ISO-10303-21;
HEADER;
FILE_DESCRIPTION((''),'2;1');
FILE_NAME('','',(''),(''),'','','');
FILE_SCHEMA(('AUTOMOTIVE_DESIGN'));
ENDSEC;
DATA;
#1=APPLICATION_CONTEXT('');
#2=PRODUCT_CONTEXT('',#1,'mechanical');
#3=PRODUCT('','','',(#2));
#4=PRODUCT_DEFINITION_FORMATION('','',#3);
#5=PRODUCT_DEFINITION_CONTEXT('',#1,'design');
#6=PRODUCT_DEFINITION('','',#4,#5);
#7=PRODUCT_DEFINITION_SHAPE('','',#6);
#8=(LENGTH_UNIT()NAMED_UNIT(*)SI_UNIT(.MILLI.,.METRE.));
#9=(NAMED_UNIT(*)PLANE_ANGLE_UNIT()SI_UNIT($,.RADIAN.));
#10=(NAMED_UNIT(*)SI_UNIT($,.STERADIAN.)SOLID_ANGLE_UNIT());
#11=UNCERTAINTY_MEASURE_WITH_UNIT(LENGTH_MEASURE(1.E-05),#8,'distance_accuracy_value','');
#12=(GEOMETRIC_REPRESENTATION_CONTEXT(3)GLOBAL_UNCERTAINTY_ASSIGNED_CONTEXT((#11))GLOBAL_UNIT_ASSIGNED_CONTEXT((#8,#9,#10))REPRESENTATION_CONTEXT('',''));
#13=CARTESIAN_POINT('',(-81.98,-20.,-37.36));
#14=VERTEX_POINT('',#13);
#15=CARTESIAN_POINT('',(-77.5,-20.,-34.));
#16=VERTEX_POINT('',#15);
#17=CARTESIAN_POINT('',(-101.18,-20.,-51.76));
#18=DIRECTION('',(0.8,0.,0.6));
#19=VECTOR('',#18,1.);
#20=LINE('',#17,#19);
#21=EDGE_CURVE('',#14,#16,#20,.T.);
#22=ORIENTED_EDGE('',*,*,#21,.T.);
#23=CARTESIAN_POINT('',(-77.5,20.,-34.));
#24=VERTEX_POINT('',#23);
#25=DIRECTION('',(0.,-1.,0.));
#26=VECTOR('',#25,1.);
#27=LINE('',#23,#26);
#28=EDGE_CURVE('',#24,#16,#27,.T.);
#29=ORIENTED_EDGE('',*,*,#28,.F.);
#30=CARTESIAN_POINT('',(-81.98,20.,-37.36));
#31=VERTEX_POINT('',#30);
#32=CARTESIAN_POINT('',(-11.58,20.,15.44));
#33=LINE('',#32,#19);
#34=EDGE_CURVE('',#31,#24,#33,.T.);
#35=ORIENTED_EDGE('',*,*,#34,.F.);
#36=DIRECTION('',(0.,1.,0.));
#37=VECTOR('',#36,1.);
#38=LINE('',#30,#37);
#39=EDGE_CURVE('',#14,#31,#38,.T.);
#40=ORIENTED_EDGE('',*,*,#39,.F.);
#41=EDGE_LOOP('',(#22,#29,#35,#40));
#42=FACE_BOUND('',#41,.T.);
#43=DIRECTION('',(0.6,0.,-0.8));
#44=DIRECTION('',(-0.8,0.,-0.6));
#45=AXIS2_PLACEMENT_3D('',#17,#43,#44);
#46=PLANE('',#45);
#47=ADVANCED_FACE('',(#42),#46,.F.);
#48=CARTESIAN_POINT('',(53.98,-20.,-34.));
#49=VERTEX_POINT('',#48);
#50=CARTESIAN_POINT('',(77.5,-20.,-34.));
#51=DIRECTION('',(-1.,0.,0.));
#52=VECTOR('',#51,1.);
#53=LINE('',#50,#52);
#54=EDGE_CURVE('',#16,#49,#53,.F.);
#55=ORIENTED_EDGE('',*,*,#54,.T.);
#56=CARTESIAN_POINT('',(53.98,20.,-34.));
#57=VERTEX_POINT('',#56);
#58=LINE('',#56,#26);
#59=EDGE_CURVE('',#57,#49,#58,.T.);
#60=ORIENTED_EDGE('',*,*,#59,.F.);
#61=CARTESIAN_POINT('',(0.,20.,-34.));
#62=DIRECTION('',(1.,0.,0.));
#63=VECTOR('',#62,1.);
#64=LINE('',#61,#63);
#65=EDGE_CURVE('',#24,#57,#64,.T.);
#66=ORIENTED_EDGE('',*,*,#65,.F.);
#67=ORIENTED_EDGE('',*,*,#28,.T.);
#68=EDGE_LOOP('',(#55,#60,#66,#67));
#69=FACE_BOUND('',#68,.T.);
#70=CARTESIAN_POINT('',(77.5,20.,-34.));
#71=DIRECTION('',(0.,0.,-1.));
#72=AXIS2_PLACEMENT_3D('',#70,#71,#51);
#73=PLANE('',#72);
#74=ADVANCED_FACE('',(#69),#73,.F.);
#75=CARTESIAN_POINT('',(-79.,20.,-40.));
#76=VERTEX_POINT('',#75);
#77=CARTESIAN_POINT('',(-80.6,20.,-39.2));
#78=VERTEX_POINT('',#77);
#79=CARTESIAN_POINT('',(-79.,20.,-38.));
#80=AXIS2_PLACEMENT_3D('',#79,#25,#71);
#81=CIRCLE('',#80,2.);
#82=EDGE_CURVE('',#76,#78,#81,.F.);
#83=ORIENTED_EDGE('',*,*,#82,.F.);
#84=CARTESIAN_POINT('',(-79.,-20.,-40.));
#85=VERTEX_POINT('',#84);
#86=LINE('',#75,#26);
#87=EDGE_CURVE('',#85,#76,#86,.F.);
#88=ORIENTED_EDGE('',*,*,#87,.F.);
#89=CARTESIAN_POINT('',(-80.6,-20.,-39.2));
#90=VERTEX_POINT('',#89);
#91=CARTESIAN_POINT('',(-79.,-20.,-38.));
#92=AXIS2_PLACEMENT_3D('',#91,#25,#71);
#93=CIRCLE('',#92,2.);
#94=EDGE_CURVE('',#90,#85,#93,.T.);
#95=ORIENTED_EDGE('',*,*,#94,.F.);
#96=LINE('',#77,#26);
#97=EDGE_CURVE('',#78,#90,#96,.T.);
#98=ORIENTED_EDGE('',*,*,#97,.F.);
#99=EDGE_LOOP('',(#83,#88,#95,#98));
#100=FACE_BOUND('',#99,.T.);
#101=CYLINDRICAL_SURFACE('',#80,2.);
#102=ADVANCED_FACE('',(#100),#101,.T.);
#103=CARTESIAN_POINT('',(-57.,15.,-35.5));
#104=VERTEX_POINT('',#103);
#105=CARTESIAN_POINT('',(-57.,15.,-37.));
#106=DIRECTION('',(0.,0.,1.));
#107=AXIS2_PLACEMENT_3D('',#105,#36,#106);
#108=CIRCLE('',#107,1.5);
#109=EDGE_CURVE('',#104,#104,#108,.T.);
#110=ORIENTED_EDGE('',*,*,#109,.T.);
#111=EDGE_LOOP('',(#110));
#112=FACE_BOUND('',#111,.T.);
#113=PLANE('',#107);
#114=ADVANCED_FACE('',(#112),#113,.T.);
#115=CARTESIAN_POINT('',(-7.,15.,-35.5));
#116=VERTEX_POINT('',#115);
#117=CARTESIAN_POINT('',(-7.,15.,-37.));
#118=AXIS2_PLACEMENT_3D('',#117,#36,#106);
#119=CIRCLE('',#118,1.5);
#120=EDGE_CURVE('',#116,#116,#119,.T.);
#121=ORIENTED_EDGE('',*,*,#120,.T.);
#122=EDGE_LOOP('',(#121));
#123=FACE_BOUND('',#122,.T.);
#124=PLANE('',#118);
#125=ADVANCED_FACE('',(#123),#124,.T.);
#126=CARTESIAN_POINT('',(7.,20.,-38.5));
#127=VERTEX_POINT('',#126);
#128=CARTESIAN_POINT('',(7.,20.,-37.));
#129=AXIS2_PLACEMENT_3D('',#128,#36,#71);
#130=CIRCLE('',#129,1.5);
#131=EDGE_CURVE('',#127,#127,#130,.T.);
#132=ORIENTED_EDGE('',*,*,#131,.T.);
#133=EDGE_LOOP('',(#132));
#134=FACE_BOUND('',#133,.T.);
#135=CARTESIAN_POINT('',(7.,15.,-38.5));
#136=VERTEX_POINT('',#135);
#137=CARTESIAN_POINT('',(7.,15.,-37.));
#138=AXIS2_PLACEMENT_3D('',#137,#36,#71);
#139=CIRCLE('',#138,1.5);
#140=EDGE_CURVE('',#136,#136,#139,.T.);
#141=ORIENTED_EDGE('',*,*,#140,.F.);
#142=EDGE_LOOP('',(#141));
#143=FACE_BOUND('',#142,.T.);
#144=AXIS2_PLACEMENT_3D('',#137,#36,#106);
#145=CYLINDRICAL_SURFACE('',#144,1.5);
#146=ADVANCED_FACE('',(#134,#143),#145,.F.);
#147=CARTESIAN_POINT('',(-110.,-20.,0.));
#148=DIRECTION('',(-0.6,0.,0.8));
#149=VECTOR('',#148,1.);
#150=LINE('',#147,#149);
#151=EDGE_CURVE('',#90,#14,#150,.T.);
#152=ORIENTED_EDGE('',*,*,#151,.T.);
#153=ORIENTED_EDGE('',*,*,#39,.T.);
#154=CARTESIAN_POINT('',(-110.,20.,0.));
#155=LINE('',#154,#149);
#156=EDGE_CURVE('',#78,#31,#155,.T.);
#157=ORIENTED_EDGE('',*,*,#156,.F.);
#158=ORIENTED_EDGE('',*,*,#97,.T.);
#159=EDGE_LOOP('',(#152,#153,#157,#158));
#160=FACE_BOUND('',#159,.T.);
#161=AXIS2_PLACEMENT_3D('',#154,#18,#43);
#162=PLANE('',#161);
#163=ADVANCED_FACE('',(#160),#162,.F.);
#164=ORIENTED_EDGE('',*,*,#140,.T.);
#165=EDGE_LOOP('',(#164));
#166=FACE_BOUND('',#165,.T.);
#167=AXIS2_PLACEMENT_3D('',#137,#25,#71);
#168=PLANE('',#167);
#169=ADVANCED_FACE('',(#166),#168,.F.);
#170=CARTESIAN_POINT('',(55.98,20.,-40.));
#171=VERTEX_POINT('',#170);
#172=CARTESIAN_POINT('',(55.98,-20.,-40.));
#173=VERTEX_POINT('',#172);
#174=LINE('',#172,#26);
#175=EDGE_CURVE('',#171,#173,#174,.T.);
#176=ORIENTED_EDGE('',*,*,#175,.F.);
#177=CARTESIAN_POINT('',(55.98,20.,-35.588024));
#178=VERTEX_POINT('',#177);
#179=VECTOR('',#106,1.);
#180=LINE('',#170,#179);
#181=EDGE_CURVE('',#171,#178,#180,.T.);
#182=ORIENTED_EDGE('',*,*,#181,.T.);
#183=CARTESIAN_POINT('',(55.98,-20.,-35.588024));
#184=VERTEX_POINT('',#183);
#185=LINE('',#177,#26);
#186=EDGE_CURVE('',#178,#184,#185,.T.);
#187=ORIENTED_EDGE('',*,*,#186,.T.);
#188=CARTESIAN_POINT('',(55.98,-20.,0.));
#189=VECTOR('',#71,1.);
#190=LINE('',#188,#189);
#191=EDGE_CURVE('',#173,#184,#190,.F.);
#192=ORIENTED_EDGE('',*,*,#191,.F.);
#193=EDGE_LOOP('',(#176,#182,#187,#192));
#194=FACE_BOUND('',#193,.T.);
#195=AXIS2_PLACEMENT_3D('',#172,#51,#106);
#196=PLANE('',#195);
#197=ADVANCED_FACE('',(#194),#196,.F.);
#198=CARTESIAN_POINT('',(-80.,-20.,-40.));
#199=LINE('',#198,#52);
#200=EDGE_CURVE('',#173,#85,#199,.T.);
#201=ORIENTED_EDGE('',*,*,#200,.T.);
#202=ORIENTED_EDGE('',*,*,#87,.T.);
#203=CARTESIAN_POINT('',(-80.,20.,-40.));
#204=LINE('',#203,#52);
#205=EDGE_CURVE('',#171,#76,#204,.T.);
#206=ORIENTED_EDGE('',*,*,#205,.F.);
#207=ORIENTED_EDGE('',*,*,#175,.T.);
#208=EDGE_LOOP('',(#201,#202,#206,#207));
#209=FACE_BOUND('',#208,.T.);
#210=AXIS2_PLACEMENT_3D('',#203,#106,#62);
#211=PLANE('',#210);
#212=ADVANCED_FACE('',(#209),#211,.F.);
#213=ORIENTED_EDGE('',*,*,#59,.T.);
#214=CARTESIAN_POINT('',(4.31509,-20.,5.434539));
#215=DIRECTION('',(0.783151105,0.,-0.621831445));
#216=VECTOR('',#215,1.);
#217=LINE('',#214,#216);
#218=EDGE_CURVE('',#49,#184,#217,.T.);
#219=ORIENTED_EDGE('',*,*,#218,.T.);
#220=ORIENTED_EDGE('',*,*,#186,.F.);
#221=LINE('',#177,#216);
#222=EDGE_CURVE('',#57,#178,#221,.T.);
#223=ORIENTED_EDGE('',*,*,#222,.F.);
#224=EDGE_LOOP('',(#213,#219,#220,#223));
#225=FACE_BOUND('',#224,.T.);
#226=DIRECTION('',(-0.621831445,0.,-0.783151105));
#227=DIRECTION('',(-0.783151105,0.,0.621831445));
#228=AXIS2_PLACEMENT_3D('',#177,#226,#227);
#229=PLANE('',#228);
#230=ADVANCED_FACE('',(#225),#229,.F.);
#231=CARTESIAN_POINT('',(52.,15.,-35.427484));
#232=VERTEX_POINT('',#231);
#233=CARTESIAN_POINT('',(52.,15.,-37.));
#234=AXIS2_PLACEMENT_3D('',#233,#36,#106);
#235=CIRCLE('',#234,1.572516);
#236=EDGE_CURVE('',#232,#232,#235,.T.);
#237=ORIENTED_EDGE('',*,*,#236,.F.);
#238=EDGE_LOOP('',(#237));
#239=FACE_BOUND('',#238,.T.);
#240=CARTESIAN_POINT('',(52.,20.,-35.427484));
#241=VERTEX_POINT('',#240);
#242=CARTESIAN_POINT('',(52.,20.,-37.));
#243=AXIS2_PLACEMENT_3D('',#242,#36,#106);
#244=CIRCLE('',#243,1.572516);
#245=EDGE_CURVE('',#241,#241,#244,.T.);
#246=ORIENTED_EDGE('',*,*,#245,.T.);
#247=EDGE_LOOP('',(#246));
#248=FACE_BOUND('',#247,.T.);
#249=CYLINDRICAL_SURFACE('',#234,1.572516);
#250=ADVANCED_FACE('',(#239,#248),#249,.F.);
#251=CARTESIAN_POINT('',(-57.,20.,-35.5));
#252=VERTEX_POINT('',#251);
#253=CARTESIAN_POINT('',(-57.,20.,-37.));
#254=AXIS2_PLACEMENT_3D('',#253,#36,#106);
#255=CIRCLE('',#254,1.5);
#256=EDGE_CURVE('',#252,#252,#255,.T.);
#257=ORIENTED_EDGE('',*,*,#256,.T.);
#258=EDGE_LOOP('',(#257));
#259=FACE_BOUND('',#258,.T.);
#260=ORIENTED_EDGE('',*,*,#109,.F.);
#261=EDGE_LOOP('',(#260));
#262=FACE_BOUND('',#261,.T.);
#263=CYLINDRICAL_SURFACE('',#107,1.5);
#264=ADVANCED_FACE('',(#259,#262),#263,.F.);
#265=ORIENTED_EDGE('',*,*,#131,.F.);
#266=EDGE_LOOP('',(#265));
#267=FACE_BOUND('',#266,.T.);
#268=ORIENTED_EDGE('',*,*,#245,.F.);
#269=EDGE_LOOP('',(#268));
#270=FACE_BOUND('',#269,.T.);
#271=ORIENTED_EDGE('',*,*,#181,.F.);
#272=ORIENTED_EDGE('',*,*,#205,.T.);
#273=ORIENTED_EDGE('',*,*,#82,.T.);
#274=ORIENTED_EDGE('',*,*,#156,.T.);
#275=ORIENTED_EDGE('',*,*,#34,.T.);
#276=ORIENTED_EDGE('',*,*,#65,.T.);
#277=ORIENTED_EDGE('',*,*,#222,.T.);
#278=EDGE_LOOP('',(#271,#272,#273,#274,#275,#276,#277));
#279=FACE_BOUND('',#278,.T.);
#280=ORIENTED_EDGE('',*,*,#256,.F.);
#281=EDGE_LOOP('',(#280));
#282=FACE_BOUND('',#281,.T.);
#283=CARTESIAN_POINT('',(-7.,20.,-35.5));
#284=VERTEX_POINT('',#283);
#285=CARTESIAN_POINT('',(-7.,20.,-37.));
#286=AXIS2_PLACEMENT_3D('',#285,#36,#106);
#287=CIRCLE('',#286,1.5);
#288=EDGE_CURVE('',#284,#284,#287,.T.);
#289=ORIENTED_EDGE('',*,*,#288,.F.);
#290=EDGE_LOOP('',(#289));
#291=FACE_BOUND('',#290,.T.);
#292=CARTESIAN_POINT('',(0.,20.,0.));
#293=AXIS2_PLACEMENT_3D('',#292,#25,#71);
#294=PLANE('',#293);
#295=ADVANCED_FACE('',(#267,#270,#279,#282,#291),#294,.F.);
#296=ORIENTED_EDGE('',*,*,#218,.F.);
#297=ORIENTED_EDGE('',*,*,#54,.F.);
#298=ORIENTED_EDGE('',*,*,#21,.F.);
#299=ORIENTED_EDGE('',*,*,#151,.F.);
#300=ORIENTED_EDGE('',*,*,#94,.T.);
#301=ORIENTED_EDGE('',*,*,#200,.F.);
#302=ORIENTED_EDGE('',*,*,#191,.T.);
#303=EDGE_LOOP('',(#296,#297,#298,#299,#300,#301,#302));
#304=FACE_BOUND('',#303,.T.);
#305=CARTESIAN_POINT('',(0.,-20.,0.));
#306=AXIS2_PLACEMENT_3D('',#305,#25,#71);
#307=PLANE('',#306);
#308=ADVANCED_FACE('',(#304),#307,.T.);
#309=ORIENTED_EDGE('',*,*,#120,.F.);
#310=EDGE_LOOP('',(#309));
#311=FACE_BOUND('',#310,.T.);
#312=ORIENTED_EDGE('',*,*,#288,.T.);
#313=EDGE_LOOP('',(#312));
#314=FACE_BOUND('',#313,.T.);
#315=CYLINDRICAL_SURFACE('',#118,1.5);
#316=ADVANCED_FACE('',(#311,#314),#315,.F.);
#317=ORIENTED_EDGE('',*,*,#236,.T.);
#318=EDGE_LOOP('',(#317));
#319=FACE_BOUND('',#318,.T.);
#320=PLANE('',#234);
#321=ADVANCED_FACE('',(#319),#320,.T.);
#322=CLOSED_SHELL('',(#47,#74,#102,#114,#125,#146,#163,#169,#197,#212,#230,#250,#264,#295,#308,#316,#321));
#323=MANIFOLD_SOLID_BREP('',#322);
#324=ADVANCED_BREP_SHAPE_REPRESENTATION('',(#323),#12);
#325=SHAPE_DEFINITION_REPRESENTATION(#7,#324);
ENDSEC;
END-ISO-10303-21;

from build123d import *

# Parameters (mm, degrees)
BOSS_EXTRUDE1_DEPTH     = 20
SKETCH2_R               = 1.5
SKETCH2_R_2             = 1.572515875
CUT_EXTRUDE1_DEPTH      = 5
FILLET1_R               = 2
SKETCH3_W               = 103.784472799
SKETCH3_H               = 73.748761466
CUT_EXTRUDE2_DEPTH      = 184.826439883
CUT_EXTRUDE3_DEPTH      = 85.597401851
CUT_EXTRUDE3_DEPTH_BACK = 85.597401851
SKETCH4_W               = 26
SKETCH4_H               = 40
CUT_EXTRUDE4_DEPTH      = 100.602813213
CUT_EXTRUDE4_DEPTH_BACK = 100.602813213


with BuildPart() as part:
    # Sketch1 → Boss-Extrude1 (new, symmetric)
    with BuildSketch(Plane(origin=(0, 0, 0), x_dir=(1, 0, 0), z_dir=(0, 1, 0))):
        Polygon((-110, 0), (-80, 40), (80, 40), (110, 0), (103, 0), (77.5, 34), (-77.5, 34), (-103, 0), align=None)
    extrude(amount=BOSS_EXTRUDE1_DEPTH, both=True)

    # Sketch2 → Cut-Extrude1 (cut)
    with BuildSketch(Plane(origin=(0, 20, 0), x_dir=(1, 0, 0), z_dir=(0, 1, 0))):
        with Locations(Location((-104, 3, 0), (0, 0, 270))):
            Circle(SKETCH2_R)
        with Locations(Location((-57, 37, 0), (0, 0, 270))):
            Circle(SKETCH2_R)
        with Locations(Location((-7, 37, 0), (0, 0, 270))):
            Circle(SKETCH2_R)
        with Locations(Location((7, 37, 0), (0, 0, 90))):
            Circle(SKETCH2_R)
        with Locations(Location((104, 3, 0), (0, 0, 90))):
            Circle(SKETCH2_R)
        with Locations(Location((52, 37, 0), (0, 0, 270))):
            Circle(SKETCH2_R_2)
    extrude(amount=-CUT_EXTRUDE1_DEPTH, mode=Mode.SUBTRACT)

    # Fillet1
    fillet1_edges = [part.edges().sort_by_distance(p)[0] for p in [
        (-80, 0, -40),
        (80, 0, -40),
    ]]
    fillet(fillet1_edges, radius=FILLET1_R)

    # Sketch3 → Cut-Extrude2 (cut, symmetric)
    with BuildSketch(Plane(origin=(-65.92, 0, -49.44), x_dir=(0.5999999999999999, 0, -0.8000000000000002), z_dir=(0.8000000000000003, 0, 0.5999999999999999))):
        with Locations((-71.1922364, 16.874380733)):
            Rectangle(SKETCH3_W, SKETCH3_H)
    cut_extrude2 = extrude(amount=CUT_EXTRUDE2_DEPTH, both=True, mode=Mode.SUBTRACT)

    # Mirror1: Cut-Extrude2 across plane
    add(cut_extrude2.mirror(Plane(origin=(0, 0, 0), x_dir=(0, 0, 1), z_dir=(1, 0, 0))), mode=Mode.SUBTRACT)

    # Sketch4 → Cut-Extrude3 (cut, two sides: drawn at the far end of the back side and taken through both)
    with BuildSketch(Plane.XY.offset(-34).offset(-CUT_EXTRUDE3_DEPTH_BACK)):
        with Locations((68.98, 0)):
            Rectangle(SKETCH4_W, SKETCH4_H)
    extrude(amount=CUT_EXTRUDE3_DEPTH + CUT_EXTRUDE3_DEPTH_BACK, mode=Mode.SUBTRACT)

    # Sketch5 → Cut-Extrude4 (cut, two sides: drawn at the far end of the back side and taken through both)
    with BuildSketch(Plane.XZ.offset(20).offset(-CUT_EXTRUDE4_DEPTH_BACK)):
        Polygon((55.98, -35.588024178), (53.98, -34), (55.98, -34), align=None)
    extrude(amount=CUT_EXTRUDE4_DEPTH + CUT_EXTRUDE4_DEPTH_BACK, mode=Mode.SUBTRACT)


solid = part.part
